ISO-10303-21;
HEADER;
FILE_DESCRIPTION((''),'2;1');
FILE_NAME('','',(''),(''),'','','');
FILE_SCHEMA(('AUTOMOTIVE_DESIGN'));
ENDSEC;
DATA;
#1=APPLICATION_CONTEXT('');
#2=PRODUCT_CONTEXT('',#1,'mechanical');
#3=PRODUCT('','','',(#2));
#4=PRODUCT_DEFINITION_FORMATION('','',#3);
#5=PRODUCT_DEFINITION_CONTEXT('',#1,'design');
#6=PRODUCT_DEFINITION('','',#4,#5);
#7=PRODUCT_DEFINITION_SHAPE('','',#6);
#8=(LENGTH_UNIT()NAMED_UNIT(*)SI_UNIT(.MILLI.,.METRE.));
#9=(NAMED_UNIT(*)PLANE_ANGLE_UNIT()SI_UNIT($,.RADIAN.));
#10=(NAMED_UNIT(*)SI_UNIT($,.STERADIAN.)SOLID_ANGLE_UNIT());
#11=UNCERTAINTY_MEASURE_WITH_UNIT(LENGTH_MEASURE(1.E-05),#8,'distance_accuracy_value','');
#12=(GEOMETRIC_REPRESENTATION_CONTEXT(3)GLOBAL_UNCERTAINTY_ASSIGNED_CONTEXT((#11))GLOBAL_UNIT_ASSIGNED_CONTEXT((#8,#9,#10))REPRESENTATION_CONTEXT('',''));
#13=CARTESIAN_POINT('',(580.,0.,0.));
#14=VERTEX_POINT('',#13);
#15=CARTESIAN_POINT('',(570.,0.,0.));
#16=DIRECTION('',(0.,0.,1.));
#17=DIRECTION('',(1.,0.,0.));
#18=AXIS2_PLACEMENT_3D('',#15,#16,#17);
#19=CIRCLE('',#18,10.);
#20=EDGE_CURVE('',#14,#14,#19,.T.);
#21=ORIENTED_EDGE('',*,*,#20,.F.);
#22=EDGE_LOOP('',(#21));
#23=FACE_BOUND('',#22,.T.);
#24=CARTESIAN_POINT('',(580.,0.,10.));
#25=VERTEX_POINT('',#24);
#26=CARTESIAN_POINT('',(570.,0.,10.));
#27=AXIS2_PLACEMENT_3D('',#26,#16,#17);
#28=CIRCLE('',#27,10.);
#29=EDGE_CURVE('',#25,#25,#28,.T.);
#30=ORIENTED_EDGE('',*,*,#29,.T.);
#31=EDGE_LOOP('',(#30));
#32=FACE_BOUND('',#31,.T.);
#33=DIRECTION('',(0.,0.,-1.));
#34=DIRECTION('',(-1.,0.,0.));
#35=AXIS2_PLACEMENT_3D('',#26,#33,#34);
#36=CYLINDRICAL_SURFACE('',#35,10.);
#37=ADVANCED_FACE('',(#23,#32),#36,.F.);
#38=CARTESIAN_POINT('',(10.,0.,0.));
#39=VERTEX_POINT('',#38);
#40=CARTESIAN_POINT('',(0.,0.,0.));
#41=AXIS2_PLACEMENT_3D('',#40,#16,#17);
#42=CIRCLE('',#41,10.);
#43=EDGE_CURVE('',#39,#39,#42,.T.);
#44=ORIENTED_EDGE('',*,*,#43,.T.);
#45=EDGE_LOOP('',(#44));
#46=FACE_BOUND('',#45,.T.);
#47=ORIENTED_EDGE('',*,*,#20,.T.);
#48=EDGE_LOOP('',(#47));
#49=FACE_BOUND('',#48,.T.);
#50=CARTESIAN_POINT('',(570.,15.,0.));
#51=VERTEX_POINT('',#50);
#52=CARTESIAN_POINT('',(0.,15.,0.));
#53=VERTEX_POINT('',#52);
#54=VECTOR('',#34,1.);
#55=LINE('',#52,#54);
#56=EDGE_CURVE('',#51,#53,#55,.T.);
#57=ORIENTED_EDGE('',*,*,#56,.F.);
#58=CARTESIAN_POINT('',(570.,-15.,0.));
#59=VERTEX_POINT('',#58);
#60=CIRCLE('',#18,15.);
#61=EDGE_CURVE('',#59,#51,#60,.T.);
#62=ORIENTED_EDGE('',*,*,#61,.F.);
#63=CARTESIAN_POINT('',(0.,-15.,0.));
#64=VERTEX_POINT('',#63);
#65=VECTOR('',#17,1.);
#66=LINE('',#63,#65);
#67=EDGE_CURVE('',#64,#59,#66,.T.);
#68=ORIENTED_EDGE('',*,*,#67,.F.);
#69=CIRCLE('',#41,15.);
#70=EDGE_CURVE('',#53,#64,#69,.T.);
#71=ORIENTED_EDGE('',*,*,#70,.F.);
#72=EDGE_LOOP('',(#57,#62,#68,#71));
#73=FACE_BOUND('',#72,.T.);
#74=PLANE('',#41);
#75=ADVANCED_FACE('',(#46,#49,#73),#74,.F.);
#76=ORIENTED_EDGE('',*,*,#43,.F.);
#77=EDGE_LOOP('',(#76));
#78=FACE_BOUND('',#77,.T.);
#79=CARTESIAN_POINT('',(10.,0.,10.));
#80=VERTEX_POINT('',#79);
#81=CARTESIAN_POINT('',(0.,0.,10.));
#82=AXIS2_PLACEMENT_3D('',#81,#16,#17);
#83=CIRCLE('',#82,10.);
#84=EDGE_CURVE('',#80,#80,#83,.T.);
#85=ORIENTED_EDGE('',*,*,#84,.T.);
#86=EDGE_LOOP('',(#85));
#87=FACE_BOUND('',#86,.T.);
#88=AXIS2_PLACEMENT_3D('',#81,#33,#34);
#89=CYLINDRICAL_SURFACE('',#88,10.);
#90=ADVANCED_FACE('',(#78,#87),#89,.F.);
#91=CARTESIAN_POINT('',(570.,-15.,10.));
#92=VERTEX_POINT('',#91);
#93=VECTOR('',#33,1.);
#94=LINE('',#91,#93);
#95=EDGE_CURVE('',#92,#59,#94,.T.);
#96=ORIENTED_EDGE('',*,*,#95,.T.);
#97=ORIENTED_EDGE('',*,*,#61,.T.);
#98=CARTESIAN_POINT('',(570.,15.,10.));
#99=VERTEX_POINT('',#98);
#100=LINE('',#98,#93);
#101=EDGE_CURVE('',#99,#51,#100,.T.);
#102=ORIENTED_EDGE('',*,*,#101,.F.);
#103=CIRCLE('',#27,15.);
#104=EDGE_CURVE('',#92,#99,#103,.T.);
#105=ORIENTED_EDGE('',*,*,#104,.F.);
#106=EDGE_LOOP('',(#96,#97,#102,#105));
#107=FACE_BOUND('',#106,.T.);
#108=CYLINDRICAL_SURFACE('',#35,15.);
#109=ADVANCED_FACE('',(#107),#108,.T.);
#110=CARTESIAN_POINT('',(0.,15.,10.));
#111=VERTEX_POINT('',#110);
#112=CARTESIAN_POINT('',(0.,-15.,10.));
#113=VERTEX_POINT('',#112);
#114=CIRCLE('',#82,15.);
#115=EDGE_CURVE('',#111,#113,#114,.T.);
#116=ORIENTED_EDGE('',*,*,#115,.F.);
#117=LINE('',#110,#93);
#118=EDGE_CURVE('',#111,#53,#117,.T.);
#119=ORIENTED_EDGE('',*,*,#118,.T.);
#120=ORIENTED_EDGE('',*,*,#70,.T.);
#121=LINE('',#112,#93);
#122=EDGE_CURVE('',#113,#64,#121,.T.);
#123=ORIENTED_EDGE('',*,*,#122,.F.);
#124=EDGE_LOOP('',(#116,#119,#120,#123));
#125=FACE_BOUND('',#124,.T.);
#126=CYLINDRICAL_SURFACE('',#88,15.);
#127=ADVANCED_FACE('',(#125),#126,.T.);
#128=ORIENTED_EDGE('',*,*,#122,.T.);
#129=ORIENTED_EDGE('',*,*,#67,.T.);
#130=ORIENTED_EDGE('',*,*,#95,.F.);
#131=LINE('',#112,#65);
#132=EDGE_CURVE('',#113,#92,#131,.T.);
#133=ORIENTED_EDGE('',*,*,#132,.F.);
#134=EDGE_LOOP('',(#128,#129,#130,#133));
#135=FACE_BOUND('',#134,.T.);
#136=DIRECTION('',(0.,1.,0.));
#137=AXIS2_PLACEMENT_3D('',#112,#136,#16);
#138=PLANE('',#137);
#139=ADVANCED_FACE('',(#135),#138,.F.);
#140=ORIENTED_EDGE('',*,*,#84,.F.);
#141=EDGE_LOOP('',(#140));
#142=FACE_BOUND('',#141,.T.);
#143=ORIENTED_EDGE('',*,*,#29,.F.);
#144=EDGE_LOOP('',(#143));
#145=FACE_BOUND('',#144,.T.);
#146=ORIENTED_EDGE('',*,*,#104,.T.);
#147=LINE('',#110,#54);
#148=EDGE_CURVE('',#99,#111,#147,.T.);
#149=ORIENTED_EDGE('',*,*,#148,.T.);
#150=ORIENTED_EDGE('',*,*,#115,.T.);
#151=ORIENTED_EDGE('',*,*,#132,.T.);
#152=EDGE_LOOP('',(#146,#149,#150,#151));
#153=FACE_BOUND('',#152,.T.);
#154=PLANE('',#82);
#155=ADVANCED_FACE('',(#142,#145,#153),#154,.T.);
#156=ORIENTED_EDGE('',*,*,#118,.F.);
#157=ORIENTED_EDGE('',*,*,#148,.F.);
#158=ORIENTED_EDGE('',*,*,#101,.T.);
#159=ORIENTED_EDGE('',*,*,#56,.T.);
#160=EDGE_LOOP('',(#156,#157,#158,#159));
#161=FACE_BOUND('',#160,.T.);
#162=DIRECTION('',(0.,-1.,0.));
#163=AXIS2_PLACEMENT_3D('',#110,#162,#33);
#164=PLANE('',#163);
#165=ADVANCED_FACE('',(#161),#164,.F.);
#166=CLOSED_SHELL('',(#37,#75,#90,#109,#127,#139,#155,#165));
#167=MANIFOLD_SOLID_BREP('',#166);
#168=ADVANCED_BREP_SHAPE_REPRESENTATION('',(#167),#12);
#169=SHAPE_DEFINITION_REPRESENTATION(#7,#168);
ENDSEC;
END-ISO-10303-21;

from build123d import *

# Parameters (mm, degrees)
SKETCH_1_R      = 10
EXTRUDE_1_DEPTH = 10


with BuildPart() as part:
    # Эскиз1 → Бобышка-Вытянуть1 (new body)
    with BuildSketch(Plane.XY):
        with BuildLine():
            Line((0, 15), (570, 15))
            ThreePointArc((570, 15), (585, 0), (570, -15))
            Line((570, -15), (0, -15))
            ThreePointArc((0, -15), (-15, 0), (0, 15))
        make_face()
        Circle(SKETCH_1_R, mode=Mode.SUBTRACT)
        with Locations((570, 0)):
            Circle(SKETCH_1_R, mode=Mode.SUBTRACT)
    extrude(amount=EXTRUDE_1_DEPTH)


solid = part.part
